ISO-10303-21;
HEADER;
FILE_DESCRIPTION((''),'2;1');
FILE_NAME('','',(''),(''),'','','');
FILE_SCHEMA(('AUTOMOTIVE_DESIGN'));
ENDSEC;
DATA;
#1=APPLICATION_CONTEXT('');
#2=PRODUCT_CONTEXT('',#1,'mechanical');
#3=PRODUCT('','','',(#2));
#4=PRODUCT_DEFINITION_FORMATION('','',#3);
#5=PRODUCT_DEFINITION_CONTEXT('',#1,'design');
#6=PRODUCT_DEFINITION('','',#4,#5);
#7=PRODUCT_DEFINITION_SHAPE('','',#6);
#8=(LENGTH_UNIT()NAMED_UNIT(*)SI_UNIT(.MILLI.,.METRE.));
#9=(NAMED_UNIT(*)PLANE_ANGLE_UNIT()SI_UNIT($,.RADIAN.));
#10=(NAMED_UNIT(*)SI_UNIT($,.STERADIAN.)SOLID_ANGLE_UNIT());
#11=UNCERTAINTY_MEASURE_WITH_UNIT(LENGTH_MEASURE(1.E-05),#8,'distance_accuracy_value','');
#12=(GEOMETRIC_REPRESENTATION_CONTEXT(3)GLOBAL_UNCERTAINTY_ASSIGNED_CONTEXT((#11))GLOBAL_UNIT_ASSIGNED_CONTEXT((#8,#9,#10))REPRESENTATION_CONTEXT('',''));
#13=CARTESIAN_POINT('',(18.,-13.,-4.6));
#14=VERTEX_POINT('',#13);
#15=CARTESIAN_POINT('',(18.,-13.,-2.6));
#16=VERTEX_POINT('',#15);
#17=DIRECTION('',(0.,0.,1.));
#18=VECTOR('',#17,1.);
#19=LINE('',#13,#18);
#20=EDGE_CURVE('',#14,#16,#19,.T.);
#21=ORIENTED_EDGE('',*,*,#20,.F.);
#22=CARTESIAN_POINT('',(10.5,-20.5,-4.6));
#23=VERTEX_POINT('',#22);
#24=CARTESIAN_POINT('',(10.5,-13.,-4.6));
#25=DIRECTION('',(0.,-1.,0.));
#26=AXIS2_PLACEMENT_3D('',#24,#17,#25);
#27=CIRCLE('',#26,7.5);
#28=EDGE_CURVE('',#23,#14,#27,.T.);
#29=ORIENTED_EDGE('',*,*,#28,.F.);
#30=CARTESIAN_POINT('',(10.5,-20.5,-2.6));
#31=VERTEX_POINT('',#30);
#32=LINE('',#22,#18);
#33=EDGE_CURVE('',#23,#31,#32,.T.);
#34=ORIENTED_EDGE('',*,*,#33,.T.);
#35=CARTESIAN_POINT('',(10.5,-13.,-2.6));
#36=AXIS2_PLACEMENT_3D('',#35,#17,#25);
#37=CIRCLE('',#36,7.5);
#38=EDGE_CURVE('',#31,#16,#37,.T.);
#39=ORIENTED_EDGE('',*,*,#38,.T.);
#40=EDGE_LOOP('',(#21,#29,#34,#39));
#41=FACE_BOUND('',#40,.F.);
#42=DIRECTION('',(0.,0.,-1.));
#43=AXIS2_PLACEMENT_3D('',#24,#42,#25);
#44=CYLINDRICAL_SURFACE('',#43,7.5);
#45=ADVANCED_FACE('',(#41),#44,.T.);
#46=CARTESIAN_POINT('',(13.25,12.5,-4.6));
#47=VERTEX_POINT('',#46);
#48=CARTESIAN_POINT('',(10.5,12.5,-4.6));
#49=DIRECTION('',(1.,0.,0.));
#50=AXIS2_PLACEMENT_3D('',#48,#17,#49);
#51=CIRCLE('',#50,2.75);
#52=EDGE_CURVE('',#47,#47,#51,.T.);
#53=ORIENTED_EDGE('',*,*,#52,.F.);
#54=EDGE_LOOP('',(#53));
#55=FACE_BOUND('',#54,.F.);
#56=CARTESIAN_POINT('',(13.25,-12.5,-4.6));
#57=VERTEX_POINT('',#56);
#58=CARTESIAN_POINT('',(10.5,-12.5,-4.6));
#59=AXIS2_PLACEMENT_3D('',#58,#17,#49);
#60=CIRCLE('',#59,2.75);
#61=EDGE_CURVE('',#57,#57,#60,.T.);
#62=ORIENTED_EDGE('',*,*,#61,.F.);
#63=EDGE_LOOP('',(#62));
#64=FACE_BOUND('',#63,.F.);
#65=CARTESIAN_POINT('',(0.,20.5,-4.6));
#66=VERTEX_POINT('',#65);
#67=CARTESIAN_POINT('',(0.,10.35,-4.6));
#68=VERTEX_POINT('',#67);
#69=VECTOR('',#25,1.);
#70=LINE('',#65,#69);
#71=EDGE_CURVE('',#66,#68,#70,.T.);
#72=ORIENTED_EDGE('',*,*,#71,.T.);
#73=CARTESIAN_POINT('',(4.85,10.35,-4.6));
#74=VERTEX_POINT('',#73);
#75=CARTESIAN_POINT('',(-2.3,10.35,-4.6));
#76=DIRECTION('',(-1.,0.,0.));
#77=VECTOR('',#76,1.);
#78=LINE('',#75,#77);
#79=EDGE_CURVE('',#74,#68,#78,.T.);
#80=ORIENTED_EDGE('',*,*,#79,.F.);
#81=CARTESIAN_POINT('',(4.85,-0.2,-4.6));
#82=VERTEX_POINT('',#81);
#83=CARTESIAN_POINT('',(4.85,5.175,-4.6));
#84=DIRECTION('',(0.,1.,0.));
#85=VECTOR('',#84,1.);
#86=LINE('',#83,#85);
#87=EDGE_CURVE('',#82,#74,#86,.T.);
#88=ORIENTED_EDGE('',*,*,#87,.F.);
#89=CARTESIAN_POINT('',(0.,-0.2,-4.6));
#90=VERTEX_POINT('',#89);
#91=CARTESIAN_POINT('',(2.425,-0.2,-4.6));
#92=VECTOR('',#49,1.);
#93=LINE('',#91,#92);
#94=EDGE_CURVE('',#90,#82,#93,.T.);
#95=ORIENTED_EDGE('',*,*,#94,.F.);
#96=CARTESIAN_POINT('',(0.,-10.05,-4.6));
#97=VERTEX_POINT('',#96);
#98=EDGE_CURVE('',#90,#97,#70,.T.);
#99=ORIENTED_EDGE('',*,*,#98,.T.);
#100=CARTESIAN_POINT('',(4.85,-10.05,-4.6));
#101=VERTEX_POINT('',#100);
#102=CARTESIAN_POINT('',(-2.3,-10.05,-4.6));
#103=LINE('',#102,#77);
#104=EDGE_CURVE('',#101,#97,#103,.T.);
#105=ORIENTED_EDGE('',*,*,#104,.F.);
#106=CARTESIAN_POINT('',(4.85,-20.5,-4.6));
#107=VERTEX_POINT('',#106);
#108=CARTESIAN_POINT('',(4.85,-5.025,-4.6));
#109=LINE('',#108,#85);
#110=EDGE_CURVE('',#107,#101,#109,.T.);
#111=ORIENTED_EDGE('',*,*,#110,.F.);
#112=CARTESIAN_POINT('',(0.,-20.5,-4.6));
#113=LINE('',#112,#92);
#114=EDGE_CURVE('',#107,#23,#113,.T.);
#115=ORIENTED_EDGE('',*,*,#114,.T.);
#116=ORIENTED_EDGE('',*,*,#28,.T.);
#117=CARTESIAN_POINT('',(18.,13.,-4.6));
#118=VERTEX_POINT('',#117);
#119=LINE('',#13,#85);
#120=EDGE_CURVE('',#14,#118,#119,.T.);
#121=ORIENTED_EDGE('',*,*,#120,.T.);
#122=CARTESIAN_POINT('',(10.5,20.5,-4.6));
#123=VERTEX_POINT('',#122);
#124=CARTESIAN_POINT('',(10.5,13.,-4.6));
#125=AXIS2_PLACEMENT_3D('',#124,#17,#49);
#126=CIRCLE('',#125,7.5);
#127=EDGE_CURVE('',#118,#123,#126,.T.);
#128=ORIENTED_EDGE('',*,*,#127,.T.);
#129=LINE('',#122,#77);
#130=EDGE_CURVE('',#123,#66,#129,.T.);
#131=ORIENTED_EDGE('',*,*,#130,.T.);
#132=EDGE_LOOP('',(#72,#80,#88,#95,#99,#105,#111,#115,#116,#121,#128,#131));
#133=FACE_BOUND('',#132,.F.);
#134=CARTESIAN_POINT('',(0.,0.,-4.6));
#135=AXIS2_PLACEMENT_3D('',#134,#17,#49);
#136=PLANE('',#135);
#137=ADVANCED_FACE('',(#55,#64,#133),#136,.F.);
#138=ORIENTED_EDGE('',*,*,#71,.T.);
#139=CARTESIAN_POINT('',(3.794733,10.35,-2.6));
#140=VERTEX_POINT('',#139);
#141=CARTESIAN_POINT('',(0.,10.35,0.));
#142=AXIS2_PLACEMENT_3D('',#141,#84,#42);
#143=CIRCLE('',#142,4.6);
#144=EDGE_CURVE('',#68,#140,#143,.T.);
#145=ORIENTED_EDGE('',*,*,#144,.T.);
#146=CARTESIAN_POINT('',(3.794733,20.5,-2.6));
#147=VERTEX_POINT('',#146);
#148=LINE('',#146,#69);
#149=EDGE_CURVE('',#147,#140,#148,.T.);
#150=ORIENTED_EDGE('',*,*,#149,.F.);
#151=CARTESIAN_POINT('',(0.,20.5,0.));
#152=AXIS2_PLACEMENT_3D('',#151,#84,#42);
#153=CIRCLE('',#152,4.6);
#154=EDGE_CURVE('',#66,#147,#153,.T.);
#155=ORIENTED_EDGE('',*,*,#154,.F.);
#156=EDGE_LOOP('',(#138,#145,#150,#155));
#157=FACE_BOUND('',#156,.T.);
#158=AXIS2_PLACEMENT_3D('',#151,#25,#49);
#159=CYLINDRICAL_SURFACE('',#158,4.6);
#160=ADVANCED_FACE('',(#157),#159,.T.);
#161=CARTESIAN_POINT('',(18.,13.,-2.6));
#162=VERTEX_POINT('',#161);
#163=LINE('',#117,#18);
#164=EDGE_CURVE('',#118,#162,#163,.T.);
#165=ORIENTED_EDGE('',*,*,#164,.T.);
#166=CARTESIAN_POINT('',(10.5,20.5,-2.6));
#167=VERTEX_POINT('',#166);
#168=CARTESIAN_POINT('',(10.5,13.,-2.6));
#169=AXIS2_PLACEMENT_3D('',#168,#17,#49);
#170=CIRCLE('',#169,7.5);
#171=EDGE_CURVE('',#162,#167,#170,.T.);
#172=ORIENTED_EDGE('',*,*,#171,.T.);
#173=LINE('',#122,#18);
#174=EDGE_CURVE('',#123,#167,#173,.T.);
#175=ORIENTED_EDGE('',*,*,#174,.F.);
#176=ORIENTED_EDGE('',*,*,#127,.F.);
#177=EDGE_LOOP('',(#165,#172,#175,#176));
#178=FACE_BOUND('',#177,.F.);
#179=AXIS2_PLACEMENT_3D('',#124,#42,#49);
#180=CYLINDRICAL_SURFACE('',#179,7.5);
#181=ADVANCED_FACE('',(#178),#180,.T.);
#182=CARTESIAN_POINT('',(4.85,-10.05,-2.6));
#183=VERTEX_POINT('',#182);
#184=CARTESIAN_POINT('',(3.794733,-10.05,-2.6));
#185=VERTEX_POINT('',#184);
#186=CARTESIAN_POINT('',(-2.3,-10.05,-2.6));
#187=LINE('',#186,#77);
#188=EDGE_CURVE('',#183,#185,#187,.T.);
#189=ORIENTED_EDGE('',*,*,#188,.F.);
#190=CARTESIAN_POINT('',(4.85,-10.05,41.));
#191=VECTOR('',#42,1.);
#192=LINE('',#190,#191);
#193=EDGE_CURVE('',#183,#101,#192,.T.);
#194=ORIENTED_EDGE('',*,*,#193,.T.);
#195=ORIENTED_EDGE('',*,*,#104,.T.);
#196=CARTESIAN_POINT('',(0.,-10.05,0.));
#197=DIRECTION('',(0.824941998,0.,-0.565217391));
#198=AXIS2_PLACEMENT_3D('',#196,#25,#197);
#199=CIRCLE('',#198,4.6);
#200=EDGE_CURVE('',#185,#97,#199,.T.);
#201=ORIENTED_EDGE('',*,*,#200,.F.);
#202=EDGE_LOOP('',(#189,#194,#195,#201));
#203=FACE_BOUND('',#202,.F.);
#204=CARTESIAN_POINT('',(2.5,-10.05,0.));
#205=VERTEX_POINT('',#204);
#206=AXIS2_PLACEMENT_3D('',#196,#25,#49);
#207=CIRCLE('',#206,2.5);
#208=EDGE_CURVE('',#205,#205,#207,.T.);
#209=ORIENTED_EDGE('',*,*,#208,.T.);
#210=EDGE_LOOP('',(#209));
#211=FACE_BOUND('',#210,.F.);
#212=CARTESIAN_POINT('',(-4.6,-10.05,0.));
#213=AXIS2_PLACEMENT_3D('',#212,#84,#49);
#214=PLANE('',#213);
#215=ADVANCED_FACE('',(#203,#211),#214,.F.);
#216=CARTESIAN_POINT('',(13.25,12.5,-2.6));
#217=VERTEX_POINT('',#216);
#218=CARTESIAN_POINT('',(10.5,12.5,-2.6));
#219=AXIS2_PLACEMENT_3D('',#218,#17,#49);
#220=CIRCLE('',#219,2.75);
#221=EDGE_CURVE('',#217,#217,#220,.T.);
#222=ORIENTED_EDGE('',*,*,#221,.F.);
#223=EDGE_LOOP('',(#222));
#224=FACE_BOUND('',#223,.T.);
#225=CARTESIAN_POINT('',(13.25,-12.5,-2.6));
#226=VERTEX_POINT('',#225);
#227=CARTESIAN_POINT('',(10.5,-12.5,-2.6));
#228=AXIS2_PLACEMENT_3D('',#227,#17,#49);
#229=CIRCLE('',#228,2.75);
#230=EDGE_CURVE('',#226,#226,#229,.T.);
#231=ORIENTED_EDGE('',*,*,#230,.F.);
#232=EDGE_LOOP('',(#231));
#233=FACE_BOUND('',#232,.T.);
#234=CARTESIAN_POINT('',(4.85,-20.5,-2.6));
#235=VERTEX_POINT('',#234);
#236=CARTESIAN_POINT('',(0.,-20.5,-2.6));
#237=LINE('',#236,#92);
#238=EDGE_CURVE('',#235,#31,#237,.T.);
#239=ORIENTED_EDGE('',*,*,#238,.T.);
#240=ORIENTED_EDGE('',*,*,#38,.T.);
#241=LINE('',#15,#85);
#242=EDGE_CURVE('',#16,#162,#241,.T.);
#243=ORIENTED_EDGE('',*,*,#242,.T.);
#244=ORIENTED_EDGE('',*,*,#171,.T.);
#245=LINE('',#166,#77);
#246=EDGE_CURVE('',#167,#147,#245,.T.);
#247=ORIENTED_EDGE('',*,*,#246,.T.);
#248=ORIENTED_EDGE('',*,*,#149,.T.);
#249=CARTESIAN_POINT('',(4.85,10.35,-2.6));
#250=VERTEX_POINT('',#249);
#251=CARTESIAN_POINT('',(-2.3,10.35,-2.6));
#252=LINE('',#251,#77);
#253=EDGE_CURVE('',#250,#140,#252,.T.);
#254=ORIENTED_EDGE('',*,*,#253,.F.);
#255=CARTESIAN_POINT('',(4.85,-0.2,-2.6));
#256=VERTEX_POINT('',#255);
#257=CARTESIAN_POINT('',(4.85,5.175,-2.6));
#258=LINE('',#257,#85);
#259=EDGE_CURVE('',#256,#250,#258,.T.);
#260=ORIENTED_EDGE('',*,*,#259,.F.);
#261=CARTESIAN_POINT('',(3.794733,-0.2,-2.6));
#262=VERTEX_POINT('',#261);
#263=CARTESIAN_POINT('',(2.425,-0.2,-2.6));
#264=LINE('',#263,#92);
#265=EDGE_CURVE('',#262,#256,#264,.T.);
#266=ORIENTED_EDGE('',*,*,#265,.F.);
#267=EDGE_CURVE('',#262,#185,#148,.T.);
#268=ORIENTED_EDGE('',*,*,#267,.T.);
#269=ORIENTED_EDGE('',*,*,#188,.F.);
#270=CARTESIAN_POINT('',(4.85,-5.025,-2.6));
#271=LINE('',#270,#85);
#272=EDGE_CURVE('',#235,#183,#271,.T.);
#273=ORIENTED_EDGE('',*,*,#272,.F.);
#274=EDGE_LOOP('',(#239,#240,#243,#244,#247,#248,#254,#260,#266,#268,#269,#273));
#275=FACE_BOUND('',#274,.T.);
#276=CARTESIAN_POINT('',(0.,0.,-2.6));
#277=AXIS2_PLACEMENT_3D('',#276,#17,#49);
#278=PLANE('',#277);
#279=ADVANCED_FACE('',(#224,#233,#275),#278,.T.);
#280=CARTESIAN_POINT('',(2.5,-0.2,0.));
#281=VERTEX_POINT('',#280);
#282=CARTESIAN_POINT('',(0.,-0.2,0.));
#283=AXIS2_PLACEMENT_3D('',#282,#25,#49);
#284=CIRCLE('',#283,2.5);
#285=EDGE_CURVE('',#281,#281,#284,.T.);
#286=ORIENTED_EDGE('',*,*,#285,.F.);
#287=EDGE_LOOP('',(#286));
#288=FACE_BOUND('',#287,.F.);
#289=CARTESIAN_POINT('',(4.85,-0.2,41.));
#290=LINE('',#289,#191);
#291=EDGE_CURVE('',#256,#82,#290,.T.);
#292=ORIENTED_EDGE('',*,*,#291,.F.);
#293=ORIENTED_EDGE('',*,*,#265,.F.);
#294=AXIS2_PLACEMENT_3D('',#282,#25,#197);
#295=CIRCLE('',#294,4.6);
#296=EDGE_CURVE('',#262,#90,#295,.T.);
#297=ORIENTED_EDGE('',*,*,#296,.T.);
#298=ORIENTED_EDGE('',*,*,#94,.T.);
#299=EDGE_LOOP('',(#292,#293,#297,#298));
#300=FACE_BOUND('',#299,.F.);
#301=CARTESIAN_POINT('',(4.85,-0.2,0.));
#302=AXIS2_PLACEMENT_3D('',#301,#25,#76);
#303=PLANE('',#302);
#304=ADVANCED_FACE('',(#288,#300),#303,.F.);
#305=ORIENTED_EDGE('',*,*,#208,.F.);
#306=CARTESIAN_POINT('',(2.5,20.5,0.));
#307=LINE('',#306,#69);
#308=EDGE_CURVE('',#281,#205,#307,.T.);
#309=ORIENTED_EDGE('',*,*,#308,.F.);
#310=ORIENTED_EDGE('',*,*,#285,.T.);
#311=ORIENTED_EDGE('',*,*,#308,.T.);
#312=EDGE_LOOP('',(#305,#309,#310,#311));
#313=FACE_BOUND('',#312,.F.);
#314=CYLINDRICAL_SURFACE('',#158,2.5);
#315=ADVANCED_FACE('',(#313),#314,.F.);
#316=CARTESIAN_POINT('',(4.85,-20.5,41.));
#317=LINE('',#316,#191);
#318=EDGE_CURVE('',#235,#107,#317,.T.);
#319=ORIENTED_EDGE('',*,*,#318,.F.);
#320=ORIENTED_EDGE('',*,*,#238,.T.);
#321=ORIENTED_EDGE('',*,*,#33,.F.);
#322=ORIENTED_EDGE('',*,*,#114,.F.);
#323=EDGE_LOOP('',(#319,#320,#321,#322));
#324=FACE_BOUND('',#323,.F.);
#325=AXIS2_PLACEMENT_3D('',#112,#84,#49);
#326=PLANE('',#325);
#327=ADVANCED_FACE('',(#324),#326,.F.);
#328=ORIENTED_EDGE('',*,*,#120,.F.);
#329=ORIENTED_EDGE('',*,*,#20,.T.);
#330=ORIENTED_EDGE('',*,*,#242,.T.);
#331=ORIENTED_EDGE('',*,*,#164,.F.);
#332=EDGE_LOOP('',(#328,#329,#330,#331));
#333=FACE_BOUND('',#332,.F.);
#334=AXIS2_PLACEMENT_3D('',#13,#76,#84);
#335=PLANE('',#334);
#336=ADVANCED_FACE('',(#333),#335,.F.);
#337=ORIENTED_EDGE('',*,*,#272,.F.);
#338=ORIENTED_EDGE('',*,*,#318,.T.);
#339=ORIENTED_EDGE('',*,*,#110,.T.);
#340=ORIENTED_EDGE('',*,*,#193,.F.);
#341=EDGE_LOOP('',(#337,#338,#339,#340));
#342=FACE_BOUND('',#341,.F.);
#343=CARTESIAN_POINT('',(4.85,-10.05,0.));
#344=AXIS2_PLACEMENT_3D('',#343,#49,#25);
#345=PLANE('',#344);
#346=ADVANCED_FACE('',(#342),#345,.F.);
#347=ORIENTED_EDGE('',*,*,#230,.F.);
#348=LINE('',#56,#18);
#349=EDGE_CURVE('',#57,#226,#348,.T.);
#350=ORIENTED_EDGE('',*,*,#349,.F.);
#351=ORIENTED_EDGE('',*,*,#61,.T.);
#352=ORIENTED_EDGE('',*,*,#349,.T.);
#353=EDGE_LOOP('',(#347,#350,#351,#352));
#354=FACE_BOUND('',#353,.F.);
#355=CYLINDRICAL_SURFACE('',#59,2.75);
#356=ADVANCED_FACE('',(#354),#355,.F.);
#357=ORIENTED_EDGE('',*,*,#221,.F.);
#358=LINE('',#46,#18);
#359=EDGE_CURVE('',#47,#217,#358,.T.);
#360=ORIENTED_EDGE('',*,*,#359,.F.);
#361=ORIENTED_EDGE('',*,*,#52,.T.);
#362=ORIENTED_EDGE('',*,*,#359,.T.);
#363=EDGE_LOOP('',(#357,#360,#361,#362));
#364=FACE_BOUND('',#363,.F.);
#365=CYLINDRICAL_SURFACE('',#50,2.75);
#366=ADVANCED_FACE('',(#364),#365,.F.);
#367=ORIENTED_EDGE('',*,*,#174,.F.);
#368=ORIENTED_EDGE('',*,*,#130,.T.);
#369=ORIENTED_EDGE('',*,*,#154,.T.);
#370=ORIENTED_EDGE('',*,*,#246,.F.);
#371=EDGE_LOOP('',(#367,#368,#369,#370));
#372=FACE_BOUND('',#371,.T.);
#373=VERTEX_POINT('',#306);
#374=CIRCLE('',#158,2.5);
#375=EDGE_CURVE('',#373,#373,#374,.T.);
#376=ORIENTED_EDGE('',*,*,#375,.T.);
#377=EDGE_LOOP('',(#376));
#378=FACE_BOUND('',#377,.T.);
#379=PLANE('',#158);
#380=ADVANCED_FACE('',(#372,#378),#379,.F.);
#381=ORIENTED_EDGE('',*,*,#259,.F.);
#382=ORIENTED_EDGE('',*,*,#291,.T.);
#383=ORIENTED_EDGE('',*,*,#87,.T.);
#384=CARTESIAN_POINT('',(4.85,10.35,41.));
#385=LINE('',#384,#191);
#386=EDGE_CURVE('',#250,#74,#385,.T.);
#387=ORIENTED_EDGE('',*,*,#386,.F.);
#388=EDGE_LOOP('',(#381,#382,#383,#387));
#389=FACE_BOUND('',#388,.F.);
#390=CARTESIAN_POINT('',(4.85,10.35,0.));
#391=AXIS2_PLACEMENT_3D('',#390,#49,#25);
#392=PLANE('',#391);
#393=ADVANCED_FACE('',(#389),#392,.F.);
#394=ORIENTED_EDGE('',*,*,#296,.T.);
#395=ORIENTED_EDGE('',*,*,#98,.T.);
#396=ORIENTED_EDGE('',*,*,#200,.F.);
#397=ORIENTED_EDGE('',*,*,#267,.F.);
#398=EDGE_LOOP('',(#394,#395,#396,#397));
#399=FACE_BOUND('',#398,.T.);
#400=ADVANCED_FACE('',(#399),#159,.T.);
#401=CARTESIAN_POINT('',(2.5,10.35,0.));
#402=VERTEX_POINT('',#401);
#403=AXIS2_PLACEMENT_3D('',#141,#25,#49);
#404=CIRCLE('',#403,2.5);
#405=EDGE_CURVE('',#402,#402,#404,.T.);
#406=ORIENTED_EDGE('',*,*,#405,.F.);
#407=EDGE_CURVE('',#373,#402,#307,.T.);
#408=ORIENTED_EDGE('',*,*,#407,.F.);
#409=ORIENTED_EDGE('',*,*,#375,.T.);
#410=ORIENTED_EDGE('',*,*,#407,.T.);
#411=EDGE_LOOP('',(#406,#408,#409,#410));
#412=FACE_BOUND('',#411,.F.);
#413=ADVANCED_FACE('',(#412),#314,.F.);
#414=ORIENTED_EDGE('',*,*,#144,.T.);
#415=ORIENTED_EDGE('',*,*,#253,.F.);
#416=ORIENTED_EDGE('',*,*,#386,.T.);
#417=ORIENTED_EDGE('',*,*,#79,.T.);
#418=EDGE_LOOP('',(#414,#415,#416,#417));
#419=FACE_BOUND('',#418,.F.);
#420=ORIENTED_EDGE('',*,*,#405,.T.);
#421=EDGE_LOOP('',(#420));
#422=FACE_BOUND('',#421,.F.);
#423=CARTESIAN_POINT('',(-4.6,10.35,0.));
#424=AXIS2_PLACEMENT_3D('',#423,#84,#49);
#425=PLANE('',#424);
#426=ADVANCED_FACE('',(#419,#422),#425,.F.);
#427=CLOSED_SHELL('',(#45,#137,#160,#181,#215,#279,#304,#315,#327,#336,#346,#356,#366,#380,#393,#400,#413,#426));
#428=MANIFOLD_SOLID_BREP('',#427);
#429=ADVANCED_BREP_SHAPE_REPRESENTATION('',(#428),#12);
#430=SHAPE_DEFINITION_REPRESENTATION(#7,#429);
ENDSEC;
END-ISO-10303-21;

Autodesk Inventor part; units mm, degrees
sketch "Sketch_1" plane through (0, 0, 0) normal (0, 0, 1) x (1, 0, 0)
  line L0 (0, -20.5) -> (0, 20.5)
  line L1 (0, 20.5) -> (4.6, 20.5)
  line L2 (4.6, 20.5) -> (4.6, -20.5)
  line L3 (4.6, -20.5) -> (0, -20.5)
  line L4 (0, -20.5) -> (0, 20.5)
revolve "Revolution1" add sketch "Sketch_1" angle 360 about axis through (0, -20.5, 0) along (0, -1, 0)
sketch "Sketch_2" plane through (0, 0, -4.6) normal (0, 0, 1) x (1, 0, 0)
  line L0 (0, 20.5) -> (0, -20.5)
  line L1 (0, -20.5) -> (10.5, -20.5)
  arc A0 (10.5, -20.5) -> (18, -13) centre (10.5, -13) ccw
  line L2 (18, -13) -> (18, 13)
  arc A1 (18, 13) -> (10.5, 20.5) centre (10.5, 13) ccw
  line L3 (10.5, 20.5) -> (0, 20.5)
extrude "Extrusion1" add sketch "Sketch_2" along normal blind 2
sketch "Sketch_3" plane through (0, 0, 0) normal (0, 0, 1) x (1, 0, 0)
  line L0 (-41, 41) -> (-41, -41)
  line L1 (-41, -41) -> (41, -41)
  line L2 (41, -41) -> (41, 41)
  line L3 (41, 41) -> (-41, 41)
  line L4 (-4.6, 20.5) -> (-4.6, 10.35)
  line L5 (-4.6, 10.35) -> (4.85, 10.35)
  line L6 (4.85, 10.35) -> (4.85, -0.2)
  line L7 (4.85, -0.2) -> (-4.6, -0.2)
  line L8 (-4.6, -0.2) -> (-4.6, -10.05)
  line L9 (-4.6, -10.05) -> (4.85, -10.05)
  line L10 (4.85, -10.05) -> (4.85, -20.5)
  line L11 (4.85, -20.5) -> (18, -20.5)
  line L12 (18, -20.5) -> (18, 20.5)
  line L13 (18, 20.5) -> (-4.6, 20.5)
extrude "Extrusion2" cut sketch "Sketch_3" along normal mid plane 82
sketch "Sketch_4" plane through (0, 0, 0) normal (0, 0, 1) x (1, 0, 0)
  line L0 (0, -20.5) -> (0, 20.5)
  line L1 (0, 20.5) -> (2.5, 20.5)
  line L2 (2.5, 20.5) -> (2.5, -20.5)
  line L3 (2.5, -20.5) -> (0, -20.5)
  line L4 (0, -20.5) -> (0, 20.5)
revolve "Revolution2" cut sketch "Sketch_4" angle 360 about axis through (0, -20.5, 0) along (0, -1, 0)
sketch "Sketch_5" plane through (0, 12.5, 0) normal (0, 1, 0) x (1, 0, 0)
  line L0 (10.5, 2.6) -> (10.5, 4.6)
  line L1 (10.5, 4.6) -> (13.25, 4.6)
  line L2 (13.25, 4.6) -> (13.25, 2.6)
  line L3 (13.25, 2.6) -> (10.5, 2.6)
  line L4 (10.5, 2.6) -> (10.5, 4.6)
revolve "Revolution3" cut sketch "Sketch_5" angle 360 about axis through (10.5, 12.5, -2.6) along (0, 0, 1)
sketch "Sketch_7" plane through (0, -12.5, 0) normal (0, 1, 0) x (1, 0, 0)
  line L0 (10.5, 2.6) -> (10.5, 4.6)
  line L1 (10.5, 4.6) -> (13.25, 4.6)
  line L2 (13.25, 4.6) -> (13.25, 2.6)
  line L3 (13.25, 2.6) -> (10.5, 2.6)
  line L4 (10.5, 2.6) -> (10.5, 4.6)
revolve "Revolution4" cut sketch "Sketch_7" angle 360 about axis through (10.5, -12.5, -2.6) along (0, 0, 1)
ref_plane "r_pin_XY" through (0, 0, 0) normal (0, 1, 0) x (1, 0, 0)
ref_plane "r_pin_YZ" through (0, 0, 0) normal (1, 0, 0) x (0, 0, -1)
ref_plane "r_pin_ZX" through (0, 0, 0) normal (0, 0, -1) x (0, 1, 0)
ref_plane "hole1r_to_bolt_XY" through (10.5, 12.5, -2.6) normal (0, 0, 1) x (1, 0, 0)
ref_plane "hole1r_to_bolt_YZ" through (10.5, 12.5, -2.6) normal (1, 0, 0) x (0, 1, 0)
ref_plane "hole1r_to_bolt_ZX" through (10.5, 12.5, -2.6) normal (0, 1, 0) x (0, 0, 1)
ref_plane "hole2r_to_bolt_XY" through (10.5, -12.5, -2.6) normal (0, 0, 1) x (1, 0, 0)
ref_plane "hole2r_to_bolt_YZ" through (10.5, -12.5, -2.6) normal (1, 0, 0) x (0, 1, 0)
ref_plane "hole2r_to_bolt_ZX" through (10.5, -12.5, -2.6) normal (0, 1, 0) x (0, 0, 1)
ref_plane "hole3r_to_bolt_XY" through (10.5, 0, -2.6) normal (0, 0, 1) x (1, 0, 0)
ref_plane "hole3r_to_bolt_YZ" through (10.5, 0, -2.6) normal (1, 0, 0) x (0, 1, 0)
ref_plane "hole3r_to_bolt_ZX" through (10.5, 0, -2.6) normal (0, 1, 0) x (0, 0, 1)
properties part number "SHHPS5-2-pin"
